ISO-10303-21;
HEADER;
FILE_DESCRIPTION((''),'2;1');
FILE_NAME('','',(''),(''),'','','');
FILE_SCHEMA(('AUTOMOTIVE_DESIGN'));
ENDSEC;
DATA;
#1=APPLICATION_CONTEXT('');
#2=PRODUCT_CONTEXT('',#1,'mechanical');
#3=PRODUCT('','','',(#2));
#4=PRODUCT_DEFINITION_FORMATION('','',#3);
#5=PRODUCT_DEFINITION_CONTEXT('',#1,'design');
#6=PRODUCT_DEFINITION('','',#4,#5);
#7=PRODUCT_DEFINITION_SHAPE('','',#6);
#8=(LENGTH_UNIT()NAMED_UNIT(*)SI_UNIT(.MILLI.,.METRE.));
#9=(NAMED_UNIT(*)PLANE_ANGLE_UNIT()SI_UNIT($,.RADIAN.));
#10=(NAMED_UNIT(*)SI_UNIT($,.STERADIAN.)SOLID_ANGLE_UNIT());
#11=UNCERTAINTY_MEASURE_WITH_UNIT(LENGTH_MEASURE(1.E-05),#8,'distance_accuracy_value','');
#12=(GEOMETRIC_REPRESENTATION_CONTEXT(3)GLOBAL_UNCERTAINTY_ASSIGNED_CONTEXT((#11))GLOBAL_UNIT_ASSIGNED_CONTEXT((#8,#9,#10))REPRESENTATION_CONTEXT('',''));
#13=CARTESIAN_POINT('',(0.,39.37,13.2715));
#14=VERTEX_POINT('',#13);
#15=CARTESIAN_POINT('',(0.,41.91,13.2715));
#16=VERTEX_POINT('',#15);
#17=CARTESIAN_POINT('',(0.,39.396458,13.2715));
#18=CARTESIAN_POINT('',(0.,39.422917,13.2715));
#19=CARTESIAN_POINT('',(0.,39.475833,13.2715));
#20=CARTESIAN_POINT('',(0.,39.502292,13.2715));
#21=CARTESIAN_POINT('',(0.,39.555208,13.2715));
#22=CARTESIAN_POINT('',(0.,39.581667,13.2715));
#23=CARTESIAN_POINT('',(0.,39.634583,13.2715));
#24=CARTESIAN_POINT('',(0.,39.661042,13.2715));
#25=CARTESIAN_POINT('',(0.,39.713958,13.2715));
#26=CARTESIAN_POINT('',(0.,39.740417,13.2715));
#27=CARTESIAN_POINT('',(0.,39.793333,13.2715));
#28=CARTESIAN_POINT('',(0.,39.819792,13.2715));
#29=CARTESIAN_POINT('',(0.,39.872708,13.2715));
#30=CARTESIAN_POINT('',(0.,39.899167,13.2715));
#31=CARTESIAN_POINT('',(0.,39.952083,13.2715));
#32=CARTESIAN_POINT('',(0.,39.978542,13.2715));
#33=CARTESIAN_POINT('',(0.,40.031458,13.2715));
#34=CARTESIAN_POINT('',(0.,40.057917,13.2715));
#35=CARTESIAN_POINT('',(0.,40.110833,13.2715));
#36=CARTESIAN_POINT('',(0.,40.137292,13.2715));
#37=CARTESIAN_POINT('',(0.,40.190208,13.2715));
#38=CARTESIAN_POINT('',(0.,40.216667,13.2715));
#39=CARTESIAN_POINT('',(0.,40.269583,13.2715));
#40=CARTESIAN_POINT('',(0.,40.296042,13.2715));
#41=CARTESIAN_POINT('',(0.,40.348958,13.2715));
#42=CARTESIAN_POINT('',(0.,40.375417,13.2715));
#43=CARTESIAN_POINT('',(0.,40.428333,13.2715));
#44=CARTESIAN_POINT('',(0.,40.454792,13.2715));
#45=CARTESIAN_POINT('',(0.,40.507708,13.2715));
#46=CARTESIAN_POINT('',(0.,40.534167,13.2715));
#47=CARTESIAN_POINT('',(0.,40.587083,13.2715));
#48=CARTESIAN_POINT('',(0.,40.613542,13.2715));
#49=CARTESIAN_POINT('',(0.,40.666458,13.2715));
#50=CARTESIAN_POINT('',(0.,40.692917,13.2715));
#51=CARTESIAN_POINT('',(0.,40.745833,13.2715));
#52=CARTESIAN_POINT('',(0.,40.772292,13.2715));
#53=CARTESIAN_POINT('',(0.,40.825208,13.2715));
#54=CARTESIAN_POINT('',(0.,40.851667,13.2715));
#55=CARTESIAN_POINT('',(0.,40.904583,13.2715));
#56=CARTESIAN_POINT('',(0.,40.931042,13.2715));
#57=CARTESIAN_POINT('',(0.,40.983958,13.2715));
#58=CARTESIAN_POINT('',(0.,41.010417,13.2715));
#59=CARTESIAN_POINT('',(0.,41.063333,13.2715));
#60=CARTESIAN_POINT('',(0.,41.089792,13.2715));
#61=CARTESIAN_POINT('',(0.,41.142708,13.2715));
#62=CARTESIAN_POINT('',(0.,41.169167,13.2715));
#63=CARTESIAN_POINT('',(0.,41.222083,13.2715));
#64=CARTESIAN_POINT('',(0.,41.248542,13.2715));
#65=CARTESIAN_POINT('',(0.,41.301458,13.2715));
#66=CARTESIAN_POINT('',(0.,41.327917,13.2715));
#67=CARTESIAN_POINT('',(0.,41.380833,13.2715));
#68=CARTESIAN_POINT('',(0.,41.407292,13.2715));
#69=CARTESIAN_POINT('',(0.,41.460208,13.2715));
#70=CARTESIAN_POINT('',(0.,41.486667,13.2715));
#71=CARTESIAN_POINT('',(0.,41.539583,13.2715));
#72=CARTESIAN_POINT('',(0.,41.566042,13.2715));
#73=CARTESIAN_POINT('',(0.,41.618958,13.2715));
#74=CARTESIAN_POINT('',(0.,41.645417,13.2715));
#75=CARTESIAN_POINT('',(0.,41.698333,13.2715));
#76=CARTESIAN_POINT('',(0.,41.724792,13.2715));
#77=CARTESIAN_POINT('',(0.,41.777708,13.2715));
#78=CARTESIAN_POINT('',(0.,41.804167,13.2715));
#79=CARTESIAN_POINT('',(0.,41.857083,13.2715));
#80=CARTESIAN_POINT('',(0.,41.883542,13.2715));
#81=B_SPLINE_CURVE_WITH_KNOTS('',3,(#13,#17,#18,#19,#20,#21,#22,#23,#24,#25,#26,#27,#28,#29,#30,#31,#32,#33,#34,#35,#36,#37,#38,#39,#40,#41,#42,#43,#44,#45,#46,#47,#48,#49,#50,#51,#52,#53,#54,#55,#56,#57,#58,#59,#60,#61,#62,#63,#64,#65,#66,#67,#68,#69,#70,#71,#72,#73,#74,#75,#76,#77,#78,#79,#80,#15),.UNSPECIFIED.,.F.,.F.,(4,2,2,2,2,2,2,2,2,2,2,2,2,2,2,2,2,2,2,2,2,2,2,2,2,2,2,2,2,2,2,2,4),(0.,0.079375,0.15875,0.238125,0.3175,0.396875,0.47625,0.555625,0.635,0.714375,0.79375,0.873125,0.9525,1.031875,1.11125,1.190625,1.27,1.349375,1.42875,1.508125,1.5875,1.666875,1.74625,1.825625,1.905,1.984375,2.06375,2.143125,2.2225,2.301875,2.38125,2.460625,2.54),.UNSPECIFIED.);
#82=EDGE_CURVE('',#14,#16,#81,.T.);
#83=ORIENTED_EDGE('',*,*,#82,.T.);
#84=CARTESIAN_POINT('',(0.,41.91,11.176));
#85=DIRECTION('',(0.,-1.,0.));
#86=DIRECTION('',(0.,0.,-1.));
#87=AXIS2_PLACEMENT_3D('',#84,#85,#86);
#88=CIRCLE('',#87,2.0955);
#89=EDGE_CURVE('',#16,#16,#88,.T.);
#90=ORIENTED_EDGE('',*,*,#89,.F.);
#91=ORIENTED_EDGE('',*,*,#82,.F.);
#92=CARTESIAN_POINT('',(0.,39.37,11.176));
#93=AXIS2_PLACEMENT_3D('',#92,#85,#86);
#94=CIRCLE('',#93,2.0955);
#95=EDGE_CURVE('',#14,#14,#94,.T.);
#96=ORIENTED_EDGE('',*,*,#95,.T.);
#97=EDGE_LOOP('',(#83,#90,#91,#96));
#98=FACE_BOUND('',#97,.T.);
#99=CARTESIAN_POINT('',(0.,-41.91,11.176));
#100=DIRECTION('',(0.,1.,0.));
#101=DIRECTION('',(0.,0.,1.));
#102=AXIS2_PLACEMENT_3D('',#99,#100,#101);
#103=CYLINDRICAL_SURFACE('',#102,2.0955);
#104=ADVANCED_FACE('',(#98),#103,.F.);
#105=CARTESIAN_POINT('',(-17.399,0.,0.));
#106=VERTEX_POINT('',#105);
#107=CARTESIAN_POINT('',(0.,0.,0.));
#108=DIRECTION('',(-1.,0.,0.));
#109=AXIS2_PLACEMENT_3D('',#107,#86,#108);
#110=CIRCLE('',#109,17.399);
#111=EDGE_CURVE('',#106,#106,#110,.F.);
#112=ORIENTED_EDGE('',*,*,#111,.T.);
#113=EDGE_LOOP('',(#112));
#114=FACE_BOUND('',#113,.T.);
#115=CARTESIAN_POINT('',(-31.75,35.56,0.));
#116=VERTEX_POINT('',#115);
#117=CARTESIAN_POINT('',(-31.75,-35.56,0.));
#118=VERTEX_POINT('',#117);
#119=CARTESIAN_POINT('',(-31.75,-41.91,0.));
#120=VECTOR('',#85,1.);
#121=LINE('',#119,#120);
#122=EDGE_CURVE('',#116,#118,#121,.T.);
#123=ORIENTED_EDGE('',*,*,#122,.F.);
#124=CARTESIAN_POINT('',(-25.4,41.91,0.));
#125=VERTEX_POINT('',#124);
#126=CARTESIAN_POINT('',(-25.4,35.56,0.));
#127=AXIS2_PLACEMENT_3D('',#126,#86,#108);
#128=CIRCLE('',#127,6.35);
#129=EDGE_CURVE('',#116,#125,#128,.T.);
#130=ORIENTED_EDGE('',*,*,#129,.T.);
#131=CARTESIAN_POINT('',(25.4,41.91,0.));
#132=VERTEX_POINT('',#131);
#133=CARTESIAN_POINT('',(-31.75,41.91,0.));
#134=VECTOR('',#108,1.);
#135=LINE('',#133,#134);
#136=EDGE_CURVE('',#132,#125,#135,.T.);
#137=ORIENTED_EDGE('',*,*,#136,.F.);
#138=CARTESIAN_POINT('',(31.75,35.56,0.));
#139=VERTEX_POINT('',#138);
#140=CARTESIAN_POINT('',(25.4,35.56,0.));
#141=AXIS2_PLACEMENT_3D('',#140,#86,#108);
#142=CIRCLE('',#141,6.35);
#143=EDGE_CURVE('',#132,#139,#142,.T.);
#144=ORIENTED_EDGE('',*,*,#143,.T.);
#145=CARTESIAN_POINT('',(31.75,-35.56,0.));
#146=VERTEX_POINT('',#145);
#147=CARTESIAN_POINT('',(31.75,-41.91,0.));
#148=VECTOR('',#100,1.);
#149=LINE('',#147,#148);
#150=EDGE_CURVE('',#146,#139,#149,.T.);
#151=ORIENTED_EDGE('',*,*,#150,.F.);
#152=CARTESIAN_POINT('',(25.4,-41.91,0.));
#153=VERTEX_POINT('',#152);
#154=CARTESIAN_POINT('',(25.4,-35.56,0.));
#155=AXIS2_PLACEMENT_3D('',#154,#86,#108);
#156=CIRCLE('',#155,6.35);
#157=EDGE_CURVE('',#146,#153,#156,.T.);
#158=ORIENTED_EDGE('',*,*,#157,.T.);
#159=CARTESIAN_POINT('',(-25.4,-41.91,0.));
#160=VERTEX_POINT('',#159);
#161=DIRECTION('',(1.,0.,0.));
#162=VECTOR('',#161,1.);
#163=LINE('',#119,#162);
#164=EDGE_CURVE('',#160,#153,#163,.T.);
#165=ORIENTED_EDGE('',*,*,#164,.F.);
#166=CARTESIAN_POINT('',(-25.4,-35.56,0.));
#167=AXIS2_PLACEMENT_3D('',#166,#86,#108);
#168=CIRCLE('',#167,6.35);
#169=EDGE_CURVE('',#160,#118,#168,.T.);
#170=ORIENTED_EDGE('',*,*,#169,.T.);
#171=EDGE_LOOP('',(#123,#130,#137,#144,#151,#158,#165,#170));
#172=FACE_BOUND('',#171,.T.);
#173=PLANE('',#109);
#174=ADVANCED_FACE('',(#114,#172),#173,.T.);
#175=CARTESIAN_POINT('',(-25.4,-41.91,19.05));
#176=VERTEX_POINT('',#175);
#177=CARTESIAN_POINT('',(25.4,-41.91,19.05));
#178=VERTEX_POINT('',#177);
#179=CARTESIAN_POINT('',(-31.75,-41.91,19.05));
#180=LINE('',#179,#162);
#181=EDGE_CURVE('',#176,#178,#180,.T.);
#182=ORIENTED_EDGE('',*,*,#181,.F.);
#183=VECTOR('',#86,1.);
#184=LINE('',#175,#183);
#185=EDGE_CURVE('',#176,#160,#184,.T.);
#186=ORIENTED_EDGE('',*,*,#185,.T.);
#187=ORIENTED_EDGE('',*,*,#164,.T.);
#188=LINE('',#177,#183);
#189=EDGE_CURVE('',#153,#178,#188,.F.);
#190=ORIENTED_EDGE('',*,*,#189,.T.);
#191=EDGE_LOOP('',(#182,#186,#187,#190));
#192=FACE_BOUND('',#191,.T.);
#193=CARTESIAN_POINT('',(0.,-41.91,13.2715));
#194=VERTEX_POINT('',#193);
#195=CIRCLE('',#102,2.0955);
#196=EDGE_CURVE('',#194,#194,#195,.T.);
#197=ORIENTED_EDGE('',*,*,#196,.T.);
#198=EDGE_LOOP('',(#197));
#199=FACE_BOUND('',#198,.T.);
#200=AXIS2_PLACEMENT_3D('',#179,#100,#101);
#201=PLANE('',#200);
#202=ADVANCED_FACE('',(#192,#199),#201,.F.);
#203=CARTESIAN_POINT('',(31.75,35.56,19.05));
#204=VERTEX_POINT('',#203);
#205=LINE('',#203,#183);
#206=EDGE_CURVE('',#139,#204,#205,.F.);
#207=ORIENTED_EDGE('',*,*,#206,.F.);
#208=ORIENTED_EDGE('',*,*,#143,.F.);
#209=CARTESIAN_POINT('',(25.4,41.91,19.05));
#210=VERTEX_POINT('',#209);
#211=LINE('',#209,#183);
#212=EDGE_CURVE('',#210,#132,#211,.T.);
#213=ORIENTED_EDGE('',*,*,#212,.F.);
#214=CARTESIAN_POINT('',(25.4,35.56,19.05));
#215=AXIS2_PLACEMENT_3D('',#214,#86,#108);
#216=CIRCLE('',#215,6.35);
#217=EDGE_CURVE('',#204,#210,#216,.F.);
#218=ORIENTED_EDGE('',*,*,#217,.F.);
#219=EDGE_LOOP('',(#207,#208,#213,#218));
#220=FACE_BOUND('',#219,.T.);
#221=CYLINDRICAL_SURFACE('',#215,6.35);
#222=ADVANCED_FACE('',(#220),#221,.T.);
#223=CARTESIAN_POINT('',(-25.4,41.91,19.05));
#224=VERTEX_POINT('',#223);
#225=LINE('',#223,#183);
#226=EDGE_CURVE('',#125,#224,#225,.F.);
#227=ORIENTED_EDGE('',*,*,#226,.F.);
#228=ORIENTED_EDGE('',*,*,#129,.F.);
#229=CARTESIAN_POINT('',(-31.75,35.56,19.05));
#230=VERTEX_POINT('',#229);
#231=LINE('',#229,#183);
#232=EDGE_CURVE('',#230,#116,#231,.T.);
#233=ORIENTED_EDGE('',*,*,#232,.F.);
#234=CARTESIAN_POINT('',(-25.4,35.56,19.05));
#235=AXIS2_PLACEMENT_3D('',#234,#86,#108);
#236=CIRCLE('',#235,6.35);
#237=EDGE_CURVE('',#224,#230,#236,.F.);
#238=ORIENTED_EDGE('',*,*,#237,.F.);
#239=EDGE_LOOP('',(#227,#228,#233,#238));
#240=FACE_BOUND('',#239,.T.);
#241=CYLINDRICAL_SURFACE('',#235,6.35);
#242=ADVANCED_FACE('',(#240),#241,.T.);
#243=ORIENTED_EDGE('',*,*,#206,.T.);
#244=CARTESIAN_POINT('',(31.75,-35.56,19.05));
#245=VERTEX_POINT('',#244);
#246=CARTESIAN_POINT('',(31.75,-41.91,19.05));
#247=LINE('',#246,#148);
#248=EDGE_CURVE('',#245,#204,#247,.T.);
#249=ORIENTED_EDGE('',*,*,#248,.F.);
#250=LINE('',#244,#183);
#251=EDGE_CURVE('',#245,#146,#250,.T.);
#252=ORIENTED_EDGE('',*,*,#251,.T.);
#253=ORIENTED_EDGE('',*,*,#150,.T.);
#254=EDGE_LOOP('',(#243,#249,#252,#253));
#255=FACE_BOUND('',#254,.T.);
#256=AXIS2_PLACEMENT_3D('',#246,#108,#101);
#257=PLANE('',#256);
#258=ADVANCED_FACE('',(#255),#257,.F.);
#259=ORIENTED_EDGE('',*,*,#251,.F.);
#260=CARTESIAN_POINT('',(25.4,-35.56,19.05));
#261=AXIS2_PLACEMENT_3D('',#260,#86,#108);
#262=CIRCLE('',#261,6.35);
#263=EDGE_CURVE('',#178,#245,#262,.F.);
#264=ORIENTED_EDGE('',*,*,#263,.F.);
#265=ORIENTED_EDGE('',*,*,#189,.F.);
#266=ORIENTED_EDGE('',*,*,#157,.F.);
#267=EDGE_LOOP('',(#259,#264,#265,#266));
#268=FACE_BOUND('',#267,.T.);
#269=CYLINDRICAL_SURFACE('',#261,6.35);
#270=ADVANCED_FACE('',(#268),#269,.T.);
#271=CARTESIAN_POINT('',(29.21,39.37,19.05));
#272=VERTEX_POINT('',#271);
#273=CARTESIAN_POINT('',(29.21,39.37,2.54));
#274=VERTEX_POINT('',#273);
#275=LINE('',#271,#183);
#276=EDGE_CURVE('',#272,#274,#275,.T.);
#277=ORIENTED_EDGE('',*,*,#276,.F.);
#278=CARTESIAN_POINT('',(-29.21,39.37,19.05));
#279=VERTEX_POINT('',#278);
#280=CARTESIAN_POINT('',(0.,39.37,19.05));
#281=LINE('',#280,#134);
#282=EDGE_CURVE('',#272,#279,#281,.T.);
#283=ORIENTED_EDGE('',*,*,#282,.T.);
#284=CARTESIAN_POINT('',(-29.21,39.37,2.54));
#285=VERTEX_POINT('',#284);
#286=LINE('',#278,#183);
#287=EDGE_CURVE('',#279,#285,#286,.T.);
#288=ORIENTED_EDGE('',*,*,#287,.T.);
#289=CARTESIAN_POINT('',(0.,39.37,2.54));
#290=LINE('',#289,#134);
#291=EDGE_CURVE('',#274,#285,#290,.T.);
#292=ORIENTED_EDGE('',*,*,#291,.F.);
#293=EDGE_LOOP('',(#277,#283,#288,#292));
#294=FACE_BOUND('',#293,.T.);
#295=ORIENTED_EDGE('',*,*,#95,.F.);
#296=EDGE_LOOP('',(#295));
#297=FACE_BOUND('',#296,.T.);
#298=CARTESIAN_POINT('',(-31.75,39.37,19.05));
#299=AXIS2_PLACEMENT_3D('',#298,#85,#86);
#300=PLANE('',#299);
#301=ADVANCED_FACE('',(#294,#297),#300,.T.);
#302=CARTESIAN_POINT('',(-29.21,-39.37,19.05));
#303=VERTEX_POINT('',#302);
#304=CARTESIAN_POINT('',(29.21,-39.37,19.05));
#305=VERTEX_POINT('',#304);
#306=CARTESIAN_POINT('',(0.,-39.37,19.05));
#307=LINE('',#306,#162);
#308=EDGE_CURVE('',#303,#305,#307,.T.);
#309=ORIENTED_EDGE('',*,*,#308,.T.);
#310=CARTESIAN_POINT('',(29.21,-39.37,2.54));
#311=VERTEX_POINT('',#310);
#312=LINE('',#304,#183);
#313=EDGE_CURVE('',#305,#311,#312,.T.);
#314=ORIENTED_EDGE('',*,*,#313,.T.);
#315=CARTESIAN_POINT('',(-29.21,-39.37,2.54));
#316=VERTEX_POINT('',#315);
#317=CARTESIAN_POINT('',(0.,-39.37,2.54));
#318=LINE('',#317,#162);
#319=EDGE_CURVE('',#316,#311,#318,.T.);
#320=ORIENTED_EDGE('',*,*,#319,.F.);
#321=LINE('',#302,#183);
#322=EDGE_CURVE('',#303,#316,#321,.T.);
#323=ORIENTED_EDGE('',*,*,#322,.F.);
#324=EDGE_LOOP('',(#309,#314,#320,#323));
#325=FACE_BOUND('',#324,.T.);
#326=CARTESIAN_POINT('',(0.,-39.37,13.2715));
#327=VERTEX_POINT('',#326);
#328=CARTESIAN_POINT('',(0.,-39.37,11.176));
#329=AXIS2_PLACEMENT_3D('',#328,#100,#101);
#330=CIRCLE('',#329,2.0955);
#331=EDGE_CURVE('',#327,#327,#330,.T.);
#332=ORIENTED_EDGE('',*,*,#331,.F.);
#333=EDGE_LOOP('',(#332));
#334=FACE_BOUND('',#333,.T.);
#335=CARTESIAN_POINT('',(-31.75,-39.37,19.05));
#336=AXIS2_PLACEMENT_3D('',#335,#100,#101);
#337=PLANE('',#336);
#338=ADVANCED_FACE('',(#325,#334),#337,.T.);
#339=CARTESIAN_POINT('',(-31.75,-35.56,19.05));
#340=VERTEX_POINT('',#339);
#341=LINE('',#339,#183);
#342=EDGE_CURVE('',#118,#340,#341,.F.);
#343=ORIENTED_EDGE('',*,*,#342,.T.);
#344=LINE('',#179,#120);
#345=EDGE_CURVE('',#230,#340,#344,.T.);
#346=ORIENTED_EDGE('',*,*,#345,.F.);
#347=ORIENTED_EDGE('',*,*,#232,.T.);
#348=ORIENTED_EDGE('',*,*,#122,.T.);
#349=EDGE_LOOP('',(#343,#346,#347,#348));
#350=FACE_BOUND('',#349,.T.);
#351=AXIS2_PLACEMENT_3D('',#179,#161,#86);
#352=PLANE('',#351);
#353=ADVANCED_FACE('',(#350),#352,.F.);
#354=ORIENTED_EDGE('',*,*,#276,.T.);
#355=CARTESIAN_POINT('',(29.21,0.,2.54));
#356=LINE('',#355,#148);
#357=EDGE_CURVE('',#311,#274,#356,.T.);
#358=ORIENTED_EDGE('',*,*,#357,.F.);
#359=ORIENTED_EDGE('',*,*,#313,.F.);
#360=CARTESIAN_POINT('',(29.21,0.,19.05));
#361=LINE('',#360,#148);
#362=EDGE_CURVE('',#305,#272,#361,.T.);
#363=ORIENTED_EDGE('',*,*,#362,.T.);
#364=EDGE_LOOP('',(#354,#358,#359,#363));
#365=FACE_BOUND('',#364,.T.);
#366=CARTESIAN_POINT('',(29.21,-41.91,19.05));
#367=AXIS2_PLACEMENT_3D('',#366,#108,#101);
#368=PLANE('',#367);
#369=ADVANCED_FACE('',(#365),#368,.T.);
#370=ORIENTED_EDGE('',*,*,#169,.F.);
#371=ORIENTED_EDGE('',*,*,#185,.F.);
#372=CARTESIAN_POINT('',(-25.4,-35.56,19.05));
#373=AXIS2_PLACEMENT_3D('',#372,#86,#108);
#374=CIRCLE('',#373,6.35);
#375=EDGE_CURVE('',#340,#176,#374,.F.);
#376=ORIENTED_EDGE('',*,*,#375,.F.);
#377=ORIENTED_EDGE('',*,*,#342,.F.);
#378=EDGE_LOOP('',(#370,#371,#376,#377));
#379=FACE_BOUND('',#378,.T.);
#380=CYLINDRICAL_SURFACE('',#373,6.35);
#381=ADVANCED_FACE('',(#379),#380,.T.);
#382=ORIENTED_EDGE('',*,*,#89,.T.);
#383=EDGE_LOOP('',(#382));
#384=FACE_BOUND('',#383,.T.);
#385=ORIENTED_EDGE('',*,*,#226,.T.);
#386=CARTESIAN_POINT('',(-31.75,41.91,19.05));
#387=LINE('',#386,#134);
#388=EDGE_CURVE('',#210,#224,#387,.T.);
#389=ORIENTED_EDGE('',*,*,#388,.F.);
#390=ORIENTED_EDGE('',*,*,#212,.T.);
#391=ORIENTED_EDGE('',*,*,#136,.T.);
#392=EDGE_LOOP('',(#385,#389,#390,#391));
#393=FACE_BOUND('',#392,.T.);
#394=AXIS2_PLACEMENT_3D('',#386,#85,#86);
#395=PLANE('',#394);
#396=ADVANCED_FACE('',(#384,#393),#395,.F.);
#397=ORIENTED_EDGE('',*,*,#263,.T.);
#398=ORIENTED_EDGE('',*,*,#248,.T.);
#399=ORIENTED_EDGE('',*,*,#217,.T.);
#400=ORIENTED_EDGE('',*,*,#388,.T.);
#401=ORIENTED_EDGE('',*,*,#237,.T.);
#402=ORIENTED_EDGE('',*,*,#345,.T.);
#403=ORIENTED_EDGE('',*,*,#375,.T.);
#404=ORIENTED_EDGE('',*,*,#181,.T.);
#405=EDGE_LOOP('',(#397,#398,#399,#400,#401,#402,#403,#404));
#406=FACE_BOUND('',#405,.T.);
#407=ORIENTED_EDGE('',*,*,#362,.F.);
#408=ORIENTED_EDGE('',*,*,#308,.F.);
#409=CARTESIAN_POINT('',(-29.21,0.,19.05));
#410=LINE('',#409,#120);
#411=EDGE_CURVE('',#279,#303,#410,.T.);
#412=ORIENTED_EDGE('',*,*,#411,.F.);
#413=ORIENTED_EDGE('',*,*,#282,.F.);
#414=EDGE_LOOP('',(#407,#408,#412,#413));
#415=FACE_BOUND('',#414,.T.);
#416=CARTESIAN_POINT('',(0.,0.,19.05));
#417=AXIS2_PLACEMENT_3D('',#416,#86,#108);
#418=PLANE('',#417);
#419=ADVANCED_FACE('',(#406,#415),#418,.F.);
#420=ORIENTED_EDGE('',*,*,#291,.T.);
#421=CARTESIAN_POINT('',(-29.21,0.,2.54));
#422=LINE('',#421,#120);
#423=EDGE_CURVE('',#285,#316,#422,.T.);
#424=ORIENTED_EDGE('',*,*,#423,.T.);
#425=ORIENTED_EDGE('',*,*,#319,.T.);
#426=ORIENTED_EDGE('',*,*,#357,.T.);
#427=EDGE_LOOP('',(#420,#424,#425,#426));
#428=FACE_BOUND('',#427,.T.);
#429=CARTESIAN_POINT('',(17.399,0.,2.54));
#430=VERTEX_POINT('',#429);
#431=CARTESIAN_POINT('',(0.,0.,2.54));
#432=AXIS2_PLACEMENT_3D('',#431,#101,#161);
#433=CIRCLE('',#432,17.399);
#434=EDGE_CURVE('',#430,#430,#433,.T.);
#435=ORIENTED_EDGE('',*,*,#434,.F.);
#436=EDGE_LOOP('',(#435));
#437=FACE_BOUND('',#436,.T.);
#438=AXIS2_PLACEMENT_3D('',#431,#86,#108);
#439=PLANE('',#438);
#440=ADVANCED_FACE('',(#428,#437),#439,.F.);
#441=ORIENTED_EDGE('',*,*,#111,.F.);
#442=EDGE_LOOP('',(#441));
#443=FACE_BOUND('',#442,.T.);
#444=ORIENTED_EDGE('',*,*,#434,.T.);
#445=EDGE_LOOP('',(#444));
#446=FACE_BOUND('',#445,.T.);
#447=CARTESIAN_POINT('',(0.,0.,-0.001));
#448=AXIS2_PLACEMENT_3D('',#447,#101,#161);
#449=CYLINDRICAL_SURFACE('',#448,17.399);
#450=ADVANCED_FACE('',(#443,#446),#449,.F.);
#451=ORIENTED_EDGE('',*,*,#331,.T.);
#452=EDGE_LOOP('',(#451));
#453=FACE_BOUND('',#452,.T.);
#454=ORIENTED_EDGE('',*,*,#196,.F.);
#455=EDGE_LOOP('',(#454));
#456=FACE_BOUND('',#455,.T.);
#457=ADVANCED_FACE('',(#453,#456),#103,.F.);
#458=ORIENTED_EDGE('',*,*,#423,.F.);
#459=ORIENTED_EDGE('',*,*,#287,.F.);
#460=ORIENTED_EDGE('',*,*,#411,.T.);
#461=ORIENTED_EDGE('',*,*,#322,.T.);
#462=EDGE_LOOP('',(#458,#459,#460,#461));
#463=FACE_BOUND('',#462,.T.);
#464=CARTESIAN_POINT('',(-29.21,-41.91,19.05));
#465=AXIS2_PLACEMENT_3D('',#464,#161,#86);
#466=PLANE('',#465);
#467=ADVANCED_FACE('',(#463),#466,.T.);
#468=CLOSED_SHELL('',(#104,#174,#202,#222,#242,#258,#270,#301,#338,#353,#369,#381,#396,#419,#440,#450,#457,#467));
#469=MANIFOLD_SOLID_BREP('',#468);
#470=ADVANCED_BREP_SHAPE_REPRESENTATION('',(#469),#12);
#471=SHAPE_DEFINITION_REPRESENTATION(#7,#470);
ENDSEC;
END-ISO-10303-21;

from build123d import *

# Parameters (mm, degrees)
SKETCH1_W               = 63.5
SKETCH1_H               = 83.82
BOSS_EXTRUDE1_DEPTH     = 19.05
SHELL1_T                = -2.54
CUT_EXTRUDE1_REACH      = 57.11
SKETCH2_R               = 17.399
FILLET4_R               = 6.35
CUT_EXTRUDE2_DEPTH      = 92.633822358
CUT_EXTRUDE2_DEPTH_BACK = 92.633822358
SKETCH3_R               = 2.0955


with BuildPart() as part:
    # Sketch1 → Boss-Extrude1 (new body)
    with BuildSketch(Plane.XY):
        Rectangle(SKETCH1_W, SKETCH1_H)
    extrude(amount=BOSS_EXTRUDE1_DEPTH)

    # Shell1
    shell1_openings = [part.faces().sort_by_distance(p)[0] for p in [
        (0, 0, 19.05),
    ]]
    offset(amount=SHELL1_T, openings=shell1_openings, kind=Kind.INTERSECTION)

    # Sketch2 → Cut-Extrude1 (cut, up to next)
    with BuildSketch(Plane.XY.offset(2.54), mode=Mode.PRIVATE) as cut_extrude1_sk1:
        Circle(SKETCH2_R)
    cut_extrude1_tool1 = extrude(cut_extrude1_sk1.sketch, amount=-CUT_EXTRUDE1_REACH, mode=Mode.PRIVATE) & part.part
    add(cut_extrude1_tool1.solids().sort_by_distance((0, 0, 2.54))[0], mode=Mode.SUBTRACT)

    # Fillet4
    fillet4_edges = [part.edges().sort_by_distance(p)[0] for p in [
        (31.75, -41.91, 9.525),
        (-31.75, -41.91, 9.525),
        (-31.75, 41.91, 9.525),
        (31.75, 41.91, 9.525),
    ]]
    fillet(fillet4_edges, radius=FILLET4_R)

    # Sketch3 → Cut-Extrude2 (cut, two sides: drawn at the far end of the back side and taken through both)
    with BuildSketch(Plane(origin=(0, 41.91, 0), x_dir=(1, 0, 0), z_dir=(0, 1, 0)).offset(-CUT_EXTRUDE2_DEPTH_BACK)):
        with Locations(Location((0, -11.176, 0), (0, 0, 270))):
            Circle(SKETCH3_R)
    extrude(amount=CUT_EXTRUDE2_DEPTH + CUT_EXTRUDE2_DEPTH_BACK, mode=Mode.SUBTRACT)


solid = part.part
